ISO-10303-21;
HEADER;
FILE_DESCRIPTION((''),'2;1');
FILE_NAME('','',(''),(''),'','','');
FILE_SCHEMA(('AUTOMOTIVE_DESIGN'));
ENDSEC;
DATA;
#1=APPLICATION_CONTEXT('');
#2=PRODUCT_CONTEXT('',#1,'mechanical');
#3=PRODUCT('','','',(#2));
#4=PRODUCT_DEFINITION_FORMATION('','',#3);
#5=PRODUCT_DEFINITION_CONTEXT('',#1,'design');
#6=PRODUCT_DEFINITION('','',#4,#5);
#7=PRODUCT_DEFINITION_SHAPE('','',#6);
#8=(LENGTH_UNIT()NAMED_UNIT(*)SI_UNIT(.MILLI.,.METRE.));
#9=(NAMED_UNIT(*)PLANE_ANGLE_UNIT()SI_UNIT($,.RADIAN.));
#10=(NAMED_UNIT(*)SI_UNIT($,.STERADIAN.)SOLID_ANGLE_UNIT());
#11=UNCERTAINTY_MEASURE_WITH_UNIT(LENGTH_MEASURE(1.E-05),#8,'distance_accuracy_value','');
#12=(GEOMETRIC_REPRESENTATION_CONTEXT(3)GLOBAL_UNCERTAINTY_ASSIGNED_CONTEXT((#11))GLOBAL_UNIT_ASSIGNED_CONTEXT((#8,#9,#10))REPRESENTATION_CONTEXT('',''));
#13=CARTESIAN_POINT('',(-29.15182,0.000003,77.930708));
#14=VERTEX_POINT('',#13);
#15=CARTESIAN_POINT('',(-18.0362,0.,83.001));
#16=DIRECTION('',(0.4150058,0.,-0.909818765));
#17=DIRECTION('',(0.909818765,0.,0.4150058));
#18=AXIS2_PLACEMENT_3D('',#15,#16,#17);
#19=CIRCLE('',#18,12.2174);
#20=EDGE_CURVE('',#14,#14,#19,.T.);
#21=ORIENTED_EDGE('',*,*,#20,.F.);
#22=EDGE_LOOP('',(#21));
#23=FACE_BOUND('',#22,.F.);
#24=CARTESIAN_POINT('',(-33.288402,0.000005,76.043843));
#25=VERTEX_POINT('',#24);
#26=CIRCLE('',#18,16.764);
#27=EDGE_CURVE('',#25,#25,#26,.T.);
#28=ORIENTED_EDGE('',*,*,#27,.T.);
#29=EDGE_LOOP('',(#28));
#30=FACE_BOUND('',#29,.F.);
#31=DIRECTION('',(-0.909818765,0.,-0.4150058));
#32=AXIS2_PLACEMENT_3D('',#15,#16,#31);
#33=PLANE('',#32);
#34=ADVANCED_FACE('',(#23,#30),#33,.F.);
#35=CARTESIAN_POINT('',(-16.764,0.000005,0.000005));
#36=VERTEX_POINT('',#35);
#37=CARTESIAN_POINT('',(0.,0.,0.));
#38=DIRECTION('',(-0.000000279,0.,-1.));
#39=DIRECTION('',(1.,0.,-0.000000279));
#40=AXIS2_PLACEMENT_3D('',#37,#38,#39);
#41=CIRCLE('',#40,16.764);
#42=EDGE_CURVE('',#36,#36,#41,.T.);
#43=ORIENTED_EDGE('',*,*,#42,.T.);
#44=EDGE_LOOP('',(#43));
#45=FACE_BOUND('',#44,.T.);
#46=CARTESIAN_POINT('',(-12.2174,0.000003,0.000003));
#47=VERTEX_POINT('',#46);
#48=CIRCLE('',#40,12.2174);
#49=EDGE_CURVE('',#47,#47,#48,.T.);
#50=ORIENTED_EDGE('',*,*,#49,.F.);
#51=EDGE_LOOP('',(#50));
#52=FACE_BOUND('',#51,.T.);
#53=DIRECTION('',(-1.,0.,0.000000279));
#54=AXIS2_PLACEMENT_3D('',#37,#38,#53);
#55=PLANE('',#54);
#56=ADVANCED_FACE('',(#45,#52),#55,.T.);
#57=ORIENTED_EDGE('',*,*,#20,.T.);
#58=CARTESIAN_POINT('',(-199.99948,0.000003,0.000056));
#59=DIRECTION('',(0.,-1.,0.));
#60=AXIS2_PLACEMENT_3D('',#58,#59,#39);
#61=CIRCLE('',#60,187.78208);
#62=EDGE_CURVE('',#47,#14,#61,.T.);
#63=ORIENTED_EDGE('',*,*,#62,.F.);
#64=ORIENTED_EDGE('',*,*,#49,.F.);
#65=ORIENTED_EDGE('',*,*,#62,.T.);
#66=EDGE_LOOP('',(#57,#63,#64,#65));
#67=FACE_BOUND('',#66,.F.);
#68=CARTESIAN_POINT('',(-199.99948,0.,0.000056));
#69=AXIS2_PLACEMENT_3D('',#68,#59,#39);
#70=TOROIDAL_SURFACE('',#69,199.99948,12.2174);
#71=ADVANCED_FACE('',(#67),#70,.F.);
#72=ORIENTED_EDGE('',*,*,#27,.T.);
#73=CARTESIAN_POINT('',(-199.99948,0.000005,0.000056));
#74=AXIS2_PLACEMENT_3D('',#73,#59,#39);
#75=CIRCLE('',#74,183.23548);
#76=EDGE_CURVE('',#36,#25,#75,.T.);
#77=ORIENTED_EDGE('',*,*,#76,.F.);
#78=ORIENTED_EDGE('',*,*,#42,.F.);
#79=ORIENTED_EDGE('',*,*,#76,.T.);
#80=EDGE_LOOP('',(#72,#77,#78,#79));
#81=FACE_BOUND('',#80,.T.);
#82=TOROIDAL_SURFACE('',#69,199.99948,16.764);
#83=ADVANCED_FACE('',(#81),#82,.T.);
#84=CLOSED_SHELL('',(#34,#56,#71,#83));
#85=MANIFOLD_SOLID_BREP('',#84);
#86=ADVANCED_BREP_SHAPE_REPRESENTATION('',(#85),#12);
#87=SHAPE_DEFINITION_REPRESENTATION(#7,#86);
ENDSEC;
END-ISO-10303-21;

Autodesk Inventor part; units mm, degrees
ref_plane "Start Plane" through (0, 0, 0) normal (0, 0, 1) x (1, 0, 0)
ref_plane "End Plane" through (0, 0, 85.5897) normal (0, 0, 1) x (1, 0, 0)
sketch "Sketch" plane through (0, 0, 0) normal (0, 0, -1) x (-1, 0, 0)
  circle A0 centre (0, 0) radius 12.2174
  circle A1 centre (0, 0) radius 16.764
  dimension "d0" = 33.528
  dimension "d1" = 4.5466
sketch "Sketch3" plane through (0, 0, 0) normal (0, 0, 1) x (1, 0, 0)
  line L0 (0, 0) -> (10, 0)
ref_plane "Work Plane3" through (0, 0, 0) normal (0, -1, 0) x (1, 0, 0)
ref_plane "Orientation Work Plane" through (0, 0, 0) normal (0, 0, -1) x (-1, 0, 0)
sketch3d "Sweep Path"
  arc A0 (0, 0, 0) -> (-18.0362, 0, 83.001) centre (-200, 0, 0) ccw
sweep "Body" add profiles "Sketch" path "Sweep Path"
sketch "Sketch4" plane through (0, 0, 0) normal (0, -1, 0) x (1, 0, 0)
  line L0 (-2, 0) -> (12, 0) projected
  line L1 (-43.2989, 85.5897) -> (26.7745, 85.5897) projected
  dimension "d7" = 85.5897
equation "\"d0\" = G_H"
equation "\"d1\" = G_T"
equation "\"G_H\" = 33.528"
equation "\"G_T\" = 4.5466"
equation "\"G_L\" = d7"
equation "\"G_OFFSET_START\" = 0"
equation "\"G_OFFSET_END\" = 0"
equation "\"d5\" = G_OFFSET_END + B_L"
equation "\"B_L\" = 85.5897"
properties part number "ANSI - 1 x 0.179 - 3.37" material "Steel, Mild"
